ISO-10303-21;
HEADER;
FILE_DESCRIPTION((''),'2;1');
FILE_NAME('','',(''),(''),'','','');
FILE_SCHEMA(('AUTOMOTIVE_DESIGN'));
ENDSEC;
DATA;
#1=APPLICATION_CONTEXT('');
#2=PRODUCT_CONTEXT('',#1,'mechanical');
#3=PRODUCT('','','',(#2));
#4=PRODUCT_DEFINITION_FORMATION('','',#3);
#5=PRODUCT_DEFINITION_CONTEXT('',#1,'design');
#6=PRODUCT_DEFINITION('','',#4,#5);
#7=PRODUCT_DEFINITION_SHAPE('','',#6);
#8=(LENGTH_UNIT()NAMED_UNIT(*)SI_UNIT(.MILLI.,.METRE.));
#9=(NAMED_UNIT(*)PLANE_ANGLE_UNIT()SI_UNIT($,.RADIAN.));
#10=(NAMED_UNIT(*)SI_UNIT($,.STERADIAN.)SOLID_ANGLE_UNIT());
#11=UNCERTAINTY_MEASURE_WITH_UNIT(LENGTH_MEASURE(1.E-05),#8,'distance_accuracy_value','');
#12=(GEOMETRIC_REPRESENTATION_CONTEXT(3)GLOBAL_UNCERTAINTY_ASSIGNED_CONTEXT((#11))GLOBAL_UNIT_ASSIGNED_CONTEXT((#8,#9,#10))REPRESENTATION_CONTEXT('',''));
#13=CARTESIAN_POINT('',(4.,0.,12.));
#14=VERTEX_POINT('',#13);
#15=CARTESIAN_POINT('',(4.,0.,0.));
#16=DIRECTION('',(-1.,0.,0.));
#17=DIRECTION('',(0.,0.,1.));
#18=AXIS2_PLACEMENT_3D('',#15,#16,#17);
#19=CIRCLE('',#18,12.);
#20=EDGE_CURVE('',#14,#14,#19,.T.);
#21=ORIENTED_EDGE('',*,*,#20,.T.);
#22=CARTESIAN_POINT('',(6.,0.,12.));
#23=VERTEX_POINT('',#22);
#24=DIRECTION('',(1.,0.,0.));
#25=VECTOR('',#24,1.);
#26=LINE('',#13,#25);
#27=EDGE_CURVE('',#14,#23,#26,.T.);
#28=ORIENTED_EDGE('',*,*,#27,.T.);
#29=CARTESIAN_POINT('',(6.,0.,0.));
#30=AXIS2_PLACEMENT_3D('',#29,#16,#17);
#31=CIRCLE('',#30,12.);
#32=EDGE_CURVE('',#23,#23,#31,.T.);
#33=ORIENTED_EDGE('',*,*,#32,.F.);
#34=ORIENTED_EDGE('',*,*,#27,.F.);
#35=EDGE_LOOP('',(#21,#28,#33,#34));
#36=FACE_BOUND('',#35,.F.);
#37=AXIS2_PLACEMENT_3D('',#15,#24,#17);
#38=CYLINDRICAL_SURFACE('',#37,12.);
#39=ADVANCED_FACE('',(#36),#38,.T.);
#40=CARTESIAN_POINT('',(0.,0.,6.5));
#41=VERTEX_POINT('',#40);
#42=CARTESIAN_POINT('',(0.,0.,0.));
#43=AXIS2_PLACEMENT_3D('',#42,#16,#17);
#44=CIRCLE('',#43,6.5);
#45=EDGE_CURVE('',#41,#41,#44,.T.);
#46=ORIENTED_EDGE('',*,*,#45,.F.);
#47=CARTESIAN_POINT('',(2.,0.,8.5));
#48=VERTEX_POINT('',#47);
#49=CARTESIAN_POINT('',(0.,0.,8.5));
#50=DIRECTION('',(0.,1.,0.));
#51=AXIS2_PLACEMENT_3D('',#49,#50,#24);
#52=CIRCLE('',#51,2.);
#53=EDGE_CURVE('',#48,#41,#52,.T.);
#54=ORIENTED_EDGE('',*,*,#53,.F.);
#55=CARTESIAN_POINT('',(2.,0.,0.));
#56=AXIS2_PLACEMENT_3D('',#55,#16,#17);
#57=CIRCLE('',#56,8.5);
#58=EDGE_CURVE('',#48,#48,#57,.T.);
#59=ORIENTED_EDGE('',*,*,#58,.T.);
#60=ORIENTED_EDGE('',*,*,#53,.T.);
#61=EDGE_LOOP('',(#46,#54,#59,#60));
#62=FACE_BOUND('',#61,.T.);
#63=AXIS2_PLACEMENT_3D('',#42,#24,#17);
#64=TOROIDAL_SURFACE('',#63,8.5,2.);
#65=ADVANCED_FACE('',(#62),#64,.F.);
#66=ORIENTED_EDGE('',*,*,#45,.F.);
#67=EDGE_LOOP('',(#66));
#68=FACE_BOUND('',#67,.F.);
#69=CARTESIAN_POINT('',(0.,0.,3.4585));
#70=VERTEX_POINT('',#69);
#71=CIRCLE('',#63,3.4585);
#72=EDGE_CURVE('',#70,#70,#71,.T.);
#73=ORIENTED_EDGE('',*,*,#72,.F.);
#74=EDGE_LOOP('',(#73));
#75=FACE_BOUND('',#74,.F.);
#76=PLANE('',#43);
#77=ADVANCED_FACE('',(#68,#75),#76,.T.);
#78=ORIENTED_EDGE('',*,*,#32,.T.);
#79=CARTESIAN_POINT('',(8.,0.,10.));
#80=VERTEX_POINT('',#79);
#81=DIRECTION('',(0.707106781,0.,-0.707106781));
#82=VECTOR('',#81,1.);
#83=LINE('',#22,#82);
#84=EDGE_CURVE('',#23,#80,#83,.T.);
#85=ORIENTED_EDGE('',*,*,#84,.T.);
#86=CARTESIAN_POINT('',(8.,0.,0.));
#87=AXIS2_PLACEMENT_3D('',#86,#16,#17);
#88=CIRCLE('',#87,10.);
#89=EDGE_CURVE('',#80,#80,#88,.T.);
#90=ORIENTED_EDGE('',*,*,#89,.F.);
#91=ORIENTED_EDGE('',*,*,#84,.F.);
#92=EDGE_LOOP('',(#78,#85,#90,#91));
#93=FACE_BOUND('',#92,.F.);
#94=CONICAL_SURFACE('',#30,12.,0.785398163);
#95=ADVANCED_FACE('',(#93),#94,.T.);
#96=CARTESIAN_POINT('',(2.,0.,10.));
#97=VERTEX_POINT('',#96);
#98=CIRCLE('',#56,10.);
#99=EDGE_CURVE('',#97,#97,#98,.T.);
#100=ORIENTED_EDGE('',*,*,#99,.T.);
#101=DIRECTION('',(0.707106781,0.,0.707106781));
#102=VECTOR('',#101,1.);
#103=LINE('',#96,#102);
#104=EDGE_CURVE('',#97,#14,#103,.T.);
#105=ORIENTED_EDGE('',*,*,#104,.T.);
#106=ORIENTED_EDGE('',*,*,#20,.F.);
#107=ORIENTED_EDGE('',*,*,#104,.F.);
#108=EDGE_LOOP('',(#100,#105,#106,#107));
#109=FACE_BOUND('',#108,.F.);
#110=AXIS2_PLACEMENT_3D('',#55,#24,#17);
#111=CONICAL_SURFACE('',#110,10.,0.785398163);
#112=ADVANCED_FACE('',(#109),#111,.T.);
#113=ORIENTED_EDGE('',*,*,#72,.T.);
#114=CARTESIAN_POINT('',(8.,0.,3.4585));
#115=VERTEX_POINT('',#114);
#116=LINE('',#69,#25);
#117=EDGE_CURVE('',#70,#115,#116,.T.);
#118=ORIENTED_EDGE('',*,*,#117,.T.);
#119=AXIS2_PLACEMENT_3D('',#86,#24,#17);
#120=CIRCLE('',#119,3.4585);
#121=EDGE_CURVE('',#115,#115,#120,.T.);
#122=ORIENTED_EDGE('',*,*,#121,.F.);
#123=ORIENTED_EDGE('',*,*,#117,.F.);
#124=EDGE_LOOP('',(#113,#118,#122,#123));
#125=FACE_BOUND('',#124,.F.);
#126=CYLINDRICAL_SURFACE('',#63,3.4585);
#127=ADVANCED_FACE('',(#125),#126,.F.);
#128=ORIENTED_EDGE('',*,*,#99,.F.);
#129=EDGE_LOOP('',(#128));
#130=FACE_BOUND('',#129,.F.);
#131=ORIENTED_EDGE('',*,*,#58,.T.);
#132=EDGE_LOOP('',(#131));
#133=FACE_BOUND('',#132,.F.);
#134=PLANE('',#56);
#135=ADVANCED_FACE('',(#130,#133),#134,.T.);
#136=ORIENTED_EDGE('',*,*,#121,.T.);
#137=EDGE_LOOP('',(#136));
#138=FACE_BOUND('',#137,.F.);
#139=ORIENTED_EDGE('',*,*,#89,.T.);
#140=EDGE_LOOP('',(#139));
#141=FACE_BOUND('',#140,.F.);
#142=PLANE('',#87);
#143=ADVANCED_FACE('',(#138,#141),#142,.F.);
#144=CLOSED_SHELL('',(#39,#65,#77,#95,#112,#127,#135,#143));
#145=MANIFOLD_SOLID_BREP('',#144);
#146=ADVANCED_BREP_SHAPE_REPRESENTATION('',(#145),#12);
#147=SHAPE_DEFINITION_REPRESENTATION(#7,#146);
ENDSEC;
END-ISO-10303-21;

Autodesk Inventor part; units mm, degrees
ref_plane "YZ Plane" through (0, 0, 0) normal (1, 0, 0) x (0, 1, 0)
ref_plane "XZ Plane" through (0, 0, 0) normal (0, 1, 0) x (-1, 0, 0)
ref_plane "XY Plane" through (0, 0, 0) normal (0, 0, 1) x (1, 0, 0)
sketch "Sketch1" plane through (0, 0, 0) normal (0, 1, 0) x (-1, 0, 0)
  line L0 (-12.6754, 0) -> (9.1433, 0) projected
  line L1 (0, -1.2) -> (0, 15.6) projected
  line L2 (0, 0) -> (0, 6.5)
  arc A0 (-2, 8.5) -> (0, 6.5) centre (0, 8.5) ccw
  line L3 (-2, 8.5) -> (-2, 10)
  line L4 (-2, 10) -> (-4, 12)
  line L5 (-4, 12) -> (-6, 12)
  line L6 (-6, 12) -> (-8, 10)
  line L7 (-8, 10) -> (-8, 0)
  line L8 (-8, 0) -> (0, 0)
  line L9 (0, 6.5) -> (7.5848, 6.5) construction
  dimension "d0" = 90
  dimension "d1" = 6.5
  dimension "d2" = 2
  dimension "d3" = 2
  dimension "d4" = 2
  dimension "d5" = 6
  dimension "d6" = 12
  dimension "d7" = 2
  dimension "d8" = 135
revolve "Revolution1" add sketch "Sketch1" angle 360 about axis through (8, 0, 0) along (-1, 0, 0)
hole "Hole1" at (0, 0, 0) direction (1, 0, 0) diameter 6.917 end through all
properties part number "Thumb Screw"
